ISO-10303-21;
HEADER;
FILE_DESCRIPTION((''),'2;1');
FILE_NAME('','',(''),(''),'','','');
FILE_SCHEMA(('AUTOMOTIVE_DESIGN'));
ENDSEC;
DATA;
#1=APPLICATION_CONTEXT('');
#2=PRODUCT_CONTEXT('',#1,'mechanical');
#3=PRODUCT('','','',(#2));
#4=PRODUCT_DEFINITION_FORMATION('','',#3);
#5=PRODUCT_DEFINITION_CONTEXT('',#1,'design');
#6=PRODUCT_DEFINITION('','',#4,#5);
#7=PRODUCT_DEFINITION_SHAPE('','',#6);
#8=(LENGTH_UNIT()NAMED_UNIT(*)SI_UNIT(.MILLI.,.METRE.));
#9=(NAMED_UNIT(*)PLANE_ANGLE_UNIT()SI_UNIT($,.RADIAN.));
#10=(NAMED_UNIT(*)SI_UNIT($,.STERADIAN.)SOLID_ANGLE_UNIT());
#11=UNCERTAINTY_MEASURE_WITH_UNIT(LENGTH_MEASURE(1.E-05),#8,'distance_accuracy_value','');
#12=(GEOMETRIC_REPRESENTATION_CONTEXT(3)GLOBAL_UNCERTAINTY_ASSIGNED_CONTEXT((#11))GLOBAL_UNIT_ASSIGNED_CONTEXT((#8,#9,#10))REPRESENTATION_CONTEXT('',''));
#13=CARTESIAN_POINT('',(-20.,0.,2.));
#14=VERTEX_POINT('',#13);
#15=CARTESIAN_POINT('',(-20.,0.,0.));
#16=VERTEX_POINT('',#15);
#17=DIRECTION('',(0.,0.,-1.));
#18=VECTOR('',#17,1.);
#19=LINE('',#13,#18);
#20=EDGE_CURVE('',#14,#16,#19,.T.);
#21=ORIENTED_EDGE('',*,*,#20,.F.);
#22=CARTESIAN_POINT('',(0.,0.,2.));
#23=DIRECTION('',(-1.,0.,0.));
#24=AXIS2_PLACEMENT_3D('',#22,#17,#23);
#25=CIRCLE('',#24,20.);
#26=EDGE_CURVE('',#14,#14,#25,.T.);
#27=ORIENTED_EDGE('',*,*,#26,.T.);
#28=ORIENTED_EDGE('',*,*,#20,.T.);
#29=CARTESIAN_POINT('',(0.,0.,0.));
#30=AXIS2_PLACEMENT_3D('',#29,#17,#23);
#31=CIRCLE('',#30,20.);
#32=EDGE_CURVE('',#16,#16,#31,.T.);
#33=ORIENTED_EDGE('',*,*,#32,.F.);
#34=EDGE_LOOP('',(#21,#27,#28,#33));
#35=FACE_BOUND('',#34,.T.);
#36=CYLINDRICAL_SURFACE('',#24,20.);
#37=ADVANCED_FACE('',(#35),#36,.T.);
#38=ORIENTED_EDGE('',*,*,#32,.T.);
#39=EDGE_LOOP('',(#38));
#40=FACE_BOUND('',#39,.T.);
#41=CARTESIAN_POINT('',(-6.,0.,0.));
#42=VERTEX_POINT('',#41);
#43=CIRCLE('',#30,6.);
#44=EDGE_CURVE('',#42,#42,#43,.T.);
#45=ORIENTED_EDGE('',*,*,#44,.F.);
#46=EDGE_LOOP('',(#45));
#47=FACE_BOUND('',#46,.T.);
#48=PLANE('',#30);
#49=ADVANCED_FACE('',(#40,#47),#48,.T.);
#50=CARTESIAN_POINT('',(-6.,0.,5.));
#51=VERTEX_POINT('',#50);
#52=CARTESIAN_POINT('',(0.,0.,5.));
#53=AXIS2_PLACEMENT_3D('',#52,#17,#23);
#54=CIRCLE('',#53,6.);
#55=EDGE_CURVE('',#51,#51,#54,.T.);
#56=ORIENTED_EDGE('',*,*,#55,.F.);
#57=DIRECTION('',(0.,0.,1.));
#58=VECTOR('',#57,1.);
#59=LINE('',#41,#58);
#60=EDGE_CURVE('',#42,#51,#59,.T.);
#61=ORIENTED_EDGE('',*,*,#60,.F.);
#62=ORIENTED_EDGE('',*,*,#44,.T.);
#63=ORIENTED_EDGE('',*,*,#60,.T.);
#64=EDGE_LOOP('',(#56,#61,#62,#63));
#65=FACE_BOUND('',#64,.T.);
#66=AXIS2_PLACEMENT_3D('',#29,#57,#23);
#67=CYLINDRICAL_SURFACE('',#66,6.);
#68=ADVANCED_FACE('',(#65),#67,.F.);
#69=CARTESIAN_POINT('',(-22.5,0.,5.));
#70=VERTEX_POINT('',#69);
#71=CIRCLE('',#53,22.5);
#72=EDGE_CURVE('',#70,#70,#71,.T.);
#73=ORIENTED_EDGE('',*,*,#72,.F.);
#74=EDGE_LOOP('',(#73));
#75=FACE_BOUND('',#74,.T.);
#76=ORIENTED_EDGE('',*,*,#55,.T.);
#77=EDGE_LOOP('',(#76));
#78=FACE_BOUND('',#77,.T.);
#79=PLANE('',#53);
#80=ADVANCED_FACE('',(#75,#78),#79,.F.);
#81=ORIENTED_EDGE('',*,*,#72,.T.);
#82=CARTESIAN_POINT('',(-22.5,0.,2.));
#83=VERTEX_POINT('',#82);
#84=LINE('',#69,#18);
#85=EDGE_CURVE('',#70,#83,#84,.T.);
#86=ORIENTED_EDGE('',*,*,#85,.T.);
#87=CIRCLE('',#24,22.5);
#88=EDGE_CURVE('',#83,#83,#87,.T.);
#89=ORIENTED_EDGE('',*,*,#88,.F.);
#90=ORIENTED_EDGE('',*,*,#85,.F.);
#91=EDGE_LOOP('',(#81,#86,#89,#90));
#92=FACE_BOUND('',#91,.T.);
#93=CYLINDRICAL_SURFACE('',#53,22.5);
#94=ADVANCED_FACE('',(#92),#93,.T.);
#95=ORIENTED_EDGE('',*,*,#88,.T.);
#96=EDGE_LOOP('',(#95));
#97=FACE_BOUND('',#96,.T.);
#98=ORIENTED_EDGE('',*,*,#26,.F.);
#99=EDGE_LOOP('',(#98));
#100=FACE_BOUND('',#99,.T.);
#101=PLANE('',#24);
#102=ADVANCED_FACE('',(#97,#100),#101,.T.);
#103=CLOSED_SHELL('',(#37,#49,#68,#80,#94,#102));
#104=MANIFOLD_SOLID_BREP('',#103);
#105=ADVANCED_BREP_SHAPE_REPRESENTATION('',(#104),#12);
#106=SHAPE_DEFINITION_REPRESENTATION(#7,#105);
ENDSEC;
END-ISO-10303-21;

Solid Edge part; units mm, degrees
sketch "Sketch1" plane through (0, 0, 0) normal (0, -1, 0) x (1, 0, 0)
  line L0 (-6, 0) -> (-6, 5)
  line L1 (-6, 5) -> (-22.5, 5)
  line L2 (-22.5, 5) -> (-22.5, 2)
  line L3 (-22.5, 2) -> (-20, 2)
  line L4 (-20, 2) -> (-20, 0)
  line L5 (-20, 0) -> (-6, 0)
  dimension "D1" = 6
  dimension "D2" = 20
  dimension "D3" = 5
  dimension "D4" = 2
  dimension "D5" = 2.5
revolve "RevolvedProtrusion1" add sketch "Sketch1" angle 360 about axis through (0, 0, 54) along (0, 0, -1)
properties material "Aluminum, 6061-T6"
